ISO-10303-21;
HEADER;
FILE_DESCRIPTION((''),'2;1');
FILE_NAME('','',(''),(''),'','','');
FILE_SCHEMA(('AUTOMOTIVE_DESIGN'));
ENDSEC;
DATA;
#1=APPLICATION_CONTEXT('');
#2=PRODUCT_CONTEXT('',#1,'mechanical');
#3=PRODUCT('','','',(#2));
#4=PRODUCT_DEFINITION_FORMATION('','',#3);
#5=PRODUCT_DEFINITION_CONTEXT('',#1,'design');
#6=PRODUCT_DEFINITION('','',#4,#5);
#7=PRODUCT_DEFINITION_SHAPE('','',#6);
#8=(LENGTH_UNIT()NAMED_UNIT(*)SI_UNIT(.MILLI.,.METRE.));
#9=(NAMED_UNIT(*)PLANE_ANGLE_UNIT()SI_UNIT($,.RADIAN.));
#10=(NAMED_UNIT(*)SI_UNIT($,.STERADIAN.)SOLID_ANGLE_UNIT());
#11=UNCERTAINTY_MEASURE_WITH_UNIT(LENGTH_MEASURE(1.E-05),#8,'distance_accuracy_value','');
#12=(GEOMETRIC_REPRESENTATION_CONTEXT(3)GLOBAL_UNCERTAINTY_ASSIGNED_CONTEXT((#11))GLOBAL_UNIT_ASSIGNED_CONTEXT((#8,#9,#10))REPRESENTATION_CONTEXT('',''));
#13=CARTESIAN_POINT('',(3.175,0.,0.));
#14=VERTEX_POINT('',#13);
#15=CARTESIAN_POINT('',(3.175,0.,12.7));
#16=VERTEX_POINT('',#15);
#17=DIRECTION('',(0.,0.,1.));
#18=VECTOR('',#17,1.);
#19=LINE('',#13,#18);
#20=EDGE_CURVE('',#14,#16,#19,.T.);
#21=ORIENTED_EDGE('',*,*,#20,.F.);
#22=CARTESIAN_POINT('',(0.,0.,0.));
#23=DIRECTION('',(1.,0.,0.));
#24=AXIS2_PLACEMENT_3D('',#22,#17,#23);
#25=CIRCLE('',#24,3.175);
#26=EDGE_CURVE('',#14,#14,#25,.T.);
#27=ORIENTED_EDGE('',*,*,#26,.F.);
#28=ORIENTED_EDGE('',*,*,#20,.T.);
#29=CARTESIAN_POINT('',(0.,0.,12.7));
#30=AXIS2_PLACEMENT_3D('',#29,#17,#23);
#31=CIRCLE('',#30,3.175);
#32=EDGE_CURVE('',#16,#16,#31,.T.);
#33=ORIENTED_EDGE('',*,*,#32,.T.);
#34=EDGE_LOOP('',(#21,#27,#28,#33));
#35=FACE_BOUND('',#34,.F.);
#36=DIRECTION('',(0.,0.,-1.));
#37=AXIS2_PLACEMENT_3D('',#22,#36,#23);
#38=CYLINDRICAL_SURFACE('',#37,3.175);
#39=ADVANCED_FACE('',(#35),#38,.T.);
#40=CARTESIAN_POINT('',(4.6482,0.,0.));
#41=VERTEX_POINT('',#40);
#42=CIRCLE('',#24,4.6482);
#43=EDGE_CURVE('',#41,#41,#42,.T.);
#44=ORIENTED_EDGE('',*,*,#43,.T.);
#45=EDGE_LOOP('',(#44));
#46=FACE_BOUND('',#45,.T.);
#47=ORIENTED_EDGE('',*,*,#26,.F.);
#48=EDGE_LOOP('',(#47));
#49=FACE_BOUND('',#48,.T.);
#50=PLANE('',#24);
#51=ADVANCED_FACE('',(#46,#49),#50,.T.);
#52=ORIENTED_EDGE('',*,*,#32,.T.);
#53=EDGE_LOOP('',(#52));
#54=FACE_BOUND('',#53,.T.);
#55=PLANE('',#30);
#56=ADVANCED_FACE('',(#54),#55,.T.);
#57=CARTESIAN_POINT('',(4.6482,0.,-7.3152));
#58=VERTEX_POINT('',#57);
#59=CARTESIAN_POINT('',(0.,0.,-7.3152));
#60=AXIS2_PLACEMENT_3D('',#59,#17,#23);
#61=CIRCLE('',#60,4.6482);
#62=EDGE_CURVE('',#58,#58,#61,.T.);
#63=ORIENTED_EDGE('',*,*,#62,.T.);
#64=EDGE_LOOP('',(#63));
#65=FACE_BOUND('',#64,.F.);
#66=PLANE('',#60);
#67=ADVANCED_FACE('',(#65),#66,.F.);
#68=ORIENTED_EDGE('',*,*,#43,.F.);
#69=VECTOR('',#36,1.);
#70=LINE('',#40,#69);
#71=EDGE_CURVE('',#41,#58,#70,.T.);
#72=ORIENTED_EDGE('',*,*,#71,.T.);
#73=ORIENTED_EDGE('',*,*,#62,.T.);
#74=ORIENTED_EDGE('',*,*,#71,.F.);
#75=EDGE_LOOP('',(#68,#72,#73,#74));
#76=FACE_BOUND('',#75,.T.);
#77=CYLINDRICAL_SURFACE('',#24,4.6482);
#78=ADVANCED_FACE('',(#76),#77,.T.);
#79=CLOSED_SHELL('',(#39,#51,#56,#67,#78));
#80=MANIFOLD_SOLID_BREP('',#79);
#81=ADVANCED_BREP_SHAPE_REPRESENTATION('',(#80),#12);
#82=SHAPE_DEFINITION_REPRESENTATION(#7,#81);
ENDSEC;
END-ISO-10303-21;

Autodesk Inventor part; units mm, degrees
ref_plane "YZ Plane" through (0, 0, 0) normal (1, 0, 0) x (0, 1, 0)
ref_plane "XZ Plane" through (0, 0, 0) normal (0, 1, 0) x (-1, 0, 0)
ref_plane "XY Plane" through (0, 0, 0) normal (0, 0, 1) x (1, 0, 0)
sketch "Sketch1" plane through (0, 0, 0) normal (0, 0, 1) x (1, 0, 0)
  circle A0 centre (0, 0) radius 4.6482
  circle A1 centre (0, 0) radius 3.175
  dimension "d0" = 9.2964
  dimension "d1" = 6.35
extrude "Extrusion1" add sketch "Sketch1" against normal blind 7.3152 contours A0 | A1
extrude "Extrusion2" add sketch "Sketch1" along normal blind 12.7 contours A1
thread "Thread1" size "3/8-16 UNC" class "2A" standard "ANSI Unified Screw Threads" full length
properties part number "USD S1-100-B Shaft"
